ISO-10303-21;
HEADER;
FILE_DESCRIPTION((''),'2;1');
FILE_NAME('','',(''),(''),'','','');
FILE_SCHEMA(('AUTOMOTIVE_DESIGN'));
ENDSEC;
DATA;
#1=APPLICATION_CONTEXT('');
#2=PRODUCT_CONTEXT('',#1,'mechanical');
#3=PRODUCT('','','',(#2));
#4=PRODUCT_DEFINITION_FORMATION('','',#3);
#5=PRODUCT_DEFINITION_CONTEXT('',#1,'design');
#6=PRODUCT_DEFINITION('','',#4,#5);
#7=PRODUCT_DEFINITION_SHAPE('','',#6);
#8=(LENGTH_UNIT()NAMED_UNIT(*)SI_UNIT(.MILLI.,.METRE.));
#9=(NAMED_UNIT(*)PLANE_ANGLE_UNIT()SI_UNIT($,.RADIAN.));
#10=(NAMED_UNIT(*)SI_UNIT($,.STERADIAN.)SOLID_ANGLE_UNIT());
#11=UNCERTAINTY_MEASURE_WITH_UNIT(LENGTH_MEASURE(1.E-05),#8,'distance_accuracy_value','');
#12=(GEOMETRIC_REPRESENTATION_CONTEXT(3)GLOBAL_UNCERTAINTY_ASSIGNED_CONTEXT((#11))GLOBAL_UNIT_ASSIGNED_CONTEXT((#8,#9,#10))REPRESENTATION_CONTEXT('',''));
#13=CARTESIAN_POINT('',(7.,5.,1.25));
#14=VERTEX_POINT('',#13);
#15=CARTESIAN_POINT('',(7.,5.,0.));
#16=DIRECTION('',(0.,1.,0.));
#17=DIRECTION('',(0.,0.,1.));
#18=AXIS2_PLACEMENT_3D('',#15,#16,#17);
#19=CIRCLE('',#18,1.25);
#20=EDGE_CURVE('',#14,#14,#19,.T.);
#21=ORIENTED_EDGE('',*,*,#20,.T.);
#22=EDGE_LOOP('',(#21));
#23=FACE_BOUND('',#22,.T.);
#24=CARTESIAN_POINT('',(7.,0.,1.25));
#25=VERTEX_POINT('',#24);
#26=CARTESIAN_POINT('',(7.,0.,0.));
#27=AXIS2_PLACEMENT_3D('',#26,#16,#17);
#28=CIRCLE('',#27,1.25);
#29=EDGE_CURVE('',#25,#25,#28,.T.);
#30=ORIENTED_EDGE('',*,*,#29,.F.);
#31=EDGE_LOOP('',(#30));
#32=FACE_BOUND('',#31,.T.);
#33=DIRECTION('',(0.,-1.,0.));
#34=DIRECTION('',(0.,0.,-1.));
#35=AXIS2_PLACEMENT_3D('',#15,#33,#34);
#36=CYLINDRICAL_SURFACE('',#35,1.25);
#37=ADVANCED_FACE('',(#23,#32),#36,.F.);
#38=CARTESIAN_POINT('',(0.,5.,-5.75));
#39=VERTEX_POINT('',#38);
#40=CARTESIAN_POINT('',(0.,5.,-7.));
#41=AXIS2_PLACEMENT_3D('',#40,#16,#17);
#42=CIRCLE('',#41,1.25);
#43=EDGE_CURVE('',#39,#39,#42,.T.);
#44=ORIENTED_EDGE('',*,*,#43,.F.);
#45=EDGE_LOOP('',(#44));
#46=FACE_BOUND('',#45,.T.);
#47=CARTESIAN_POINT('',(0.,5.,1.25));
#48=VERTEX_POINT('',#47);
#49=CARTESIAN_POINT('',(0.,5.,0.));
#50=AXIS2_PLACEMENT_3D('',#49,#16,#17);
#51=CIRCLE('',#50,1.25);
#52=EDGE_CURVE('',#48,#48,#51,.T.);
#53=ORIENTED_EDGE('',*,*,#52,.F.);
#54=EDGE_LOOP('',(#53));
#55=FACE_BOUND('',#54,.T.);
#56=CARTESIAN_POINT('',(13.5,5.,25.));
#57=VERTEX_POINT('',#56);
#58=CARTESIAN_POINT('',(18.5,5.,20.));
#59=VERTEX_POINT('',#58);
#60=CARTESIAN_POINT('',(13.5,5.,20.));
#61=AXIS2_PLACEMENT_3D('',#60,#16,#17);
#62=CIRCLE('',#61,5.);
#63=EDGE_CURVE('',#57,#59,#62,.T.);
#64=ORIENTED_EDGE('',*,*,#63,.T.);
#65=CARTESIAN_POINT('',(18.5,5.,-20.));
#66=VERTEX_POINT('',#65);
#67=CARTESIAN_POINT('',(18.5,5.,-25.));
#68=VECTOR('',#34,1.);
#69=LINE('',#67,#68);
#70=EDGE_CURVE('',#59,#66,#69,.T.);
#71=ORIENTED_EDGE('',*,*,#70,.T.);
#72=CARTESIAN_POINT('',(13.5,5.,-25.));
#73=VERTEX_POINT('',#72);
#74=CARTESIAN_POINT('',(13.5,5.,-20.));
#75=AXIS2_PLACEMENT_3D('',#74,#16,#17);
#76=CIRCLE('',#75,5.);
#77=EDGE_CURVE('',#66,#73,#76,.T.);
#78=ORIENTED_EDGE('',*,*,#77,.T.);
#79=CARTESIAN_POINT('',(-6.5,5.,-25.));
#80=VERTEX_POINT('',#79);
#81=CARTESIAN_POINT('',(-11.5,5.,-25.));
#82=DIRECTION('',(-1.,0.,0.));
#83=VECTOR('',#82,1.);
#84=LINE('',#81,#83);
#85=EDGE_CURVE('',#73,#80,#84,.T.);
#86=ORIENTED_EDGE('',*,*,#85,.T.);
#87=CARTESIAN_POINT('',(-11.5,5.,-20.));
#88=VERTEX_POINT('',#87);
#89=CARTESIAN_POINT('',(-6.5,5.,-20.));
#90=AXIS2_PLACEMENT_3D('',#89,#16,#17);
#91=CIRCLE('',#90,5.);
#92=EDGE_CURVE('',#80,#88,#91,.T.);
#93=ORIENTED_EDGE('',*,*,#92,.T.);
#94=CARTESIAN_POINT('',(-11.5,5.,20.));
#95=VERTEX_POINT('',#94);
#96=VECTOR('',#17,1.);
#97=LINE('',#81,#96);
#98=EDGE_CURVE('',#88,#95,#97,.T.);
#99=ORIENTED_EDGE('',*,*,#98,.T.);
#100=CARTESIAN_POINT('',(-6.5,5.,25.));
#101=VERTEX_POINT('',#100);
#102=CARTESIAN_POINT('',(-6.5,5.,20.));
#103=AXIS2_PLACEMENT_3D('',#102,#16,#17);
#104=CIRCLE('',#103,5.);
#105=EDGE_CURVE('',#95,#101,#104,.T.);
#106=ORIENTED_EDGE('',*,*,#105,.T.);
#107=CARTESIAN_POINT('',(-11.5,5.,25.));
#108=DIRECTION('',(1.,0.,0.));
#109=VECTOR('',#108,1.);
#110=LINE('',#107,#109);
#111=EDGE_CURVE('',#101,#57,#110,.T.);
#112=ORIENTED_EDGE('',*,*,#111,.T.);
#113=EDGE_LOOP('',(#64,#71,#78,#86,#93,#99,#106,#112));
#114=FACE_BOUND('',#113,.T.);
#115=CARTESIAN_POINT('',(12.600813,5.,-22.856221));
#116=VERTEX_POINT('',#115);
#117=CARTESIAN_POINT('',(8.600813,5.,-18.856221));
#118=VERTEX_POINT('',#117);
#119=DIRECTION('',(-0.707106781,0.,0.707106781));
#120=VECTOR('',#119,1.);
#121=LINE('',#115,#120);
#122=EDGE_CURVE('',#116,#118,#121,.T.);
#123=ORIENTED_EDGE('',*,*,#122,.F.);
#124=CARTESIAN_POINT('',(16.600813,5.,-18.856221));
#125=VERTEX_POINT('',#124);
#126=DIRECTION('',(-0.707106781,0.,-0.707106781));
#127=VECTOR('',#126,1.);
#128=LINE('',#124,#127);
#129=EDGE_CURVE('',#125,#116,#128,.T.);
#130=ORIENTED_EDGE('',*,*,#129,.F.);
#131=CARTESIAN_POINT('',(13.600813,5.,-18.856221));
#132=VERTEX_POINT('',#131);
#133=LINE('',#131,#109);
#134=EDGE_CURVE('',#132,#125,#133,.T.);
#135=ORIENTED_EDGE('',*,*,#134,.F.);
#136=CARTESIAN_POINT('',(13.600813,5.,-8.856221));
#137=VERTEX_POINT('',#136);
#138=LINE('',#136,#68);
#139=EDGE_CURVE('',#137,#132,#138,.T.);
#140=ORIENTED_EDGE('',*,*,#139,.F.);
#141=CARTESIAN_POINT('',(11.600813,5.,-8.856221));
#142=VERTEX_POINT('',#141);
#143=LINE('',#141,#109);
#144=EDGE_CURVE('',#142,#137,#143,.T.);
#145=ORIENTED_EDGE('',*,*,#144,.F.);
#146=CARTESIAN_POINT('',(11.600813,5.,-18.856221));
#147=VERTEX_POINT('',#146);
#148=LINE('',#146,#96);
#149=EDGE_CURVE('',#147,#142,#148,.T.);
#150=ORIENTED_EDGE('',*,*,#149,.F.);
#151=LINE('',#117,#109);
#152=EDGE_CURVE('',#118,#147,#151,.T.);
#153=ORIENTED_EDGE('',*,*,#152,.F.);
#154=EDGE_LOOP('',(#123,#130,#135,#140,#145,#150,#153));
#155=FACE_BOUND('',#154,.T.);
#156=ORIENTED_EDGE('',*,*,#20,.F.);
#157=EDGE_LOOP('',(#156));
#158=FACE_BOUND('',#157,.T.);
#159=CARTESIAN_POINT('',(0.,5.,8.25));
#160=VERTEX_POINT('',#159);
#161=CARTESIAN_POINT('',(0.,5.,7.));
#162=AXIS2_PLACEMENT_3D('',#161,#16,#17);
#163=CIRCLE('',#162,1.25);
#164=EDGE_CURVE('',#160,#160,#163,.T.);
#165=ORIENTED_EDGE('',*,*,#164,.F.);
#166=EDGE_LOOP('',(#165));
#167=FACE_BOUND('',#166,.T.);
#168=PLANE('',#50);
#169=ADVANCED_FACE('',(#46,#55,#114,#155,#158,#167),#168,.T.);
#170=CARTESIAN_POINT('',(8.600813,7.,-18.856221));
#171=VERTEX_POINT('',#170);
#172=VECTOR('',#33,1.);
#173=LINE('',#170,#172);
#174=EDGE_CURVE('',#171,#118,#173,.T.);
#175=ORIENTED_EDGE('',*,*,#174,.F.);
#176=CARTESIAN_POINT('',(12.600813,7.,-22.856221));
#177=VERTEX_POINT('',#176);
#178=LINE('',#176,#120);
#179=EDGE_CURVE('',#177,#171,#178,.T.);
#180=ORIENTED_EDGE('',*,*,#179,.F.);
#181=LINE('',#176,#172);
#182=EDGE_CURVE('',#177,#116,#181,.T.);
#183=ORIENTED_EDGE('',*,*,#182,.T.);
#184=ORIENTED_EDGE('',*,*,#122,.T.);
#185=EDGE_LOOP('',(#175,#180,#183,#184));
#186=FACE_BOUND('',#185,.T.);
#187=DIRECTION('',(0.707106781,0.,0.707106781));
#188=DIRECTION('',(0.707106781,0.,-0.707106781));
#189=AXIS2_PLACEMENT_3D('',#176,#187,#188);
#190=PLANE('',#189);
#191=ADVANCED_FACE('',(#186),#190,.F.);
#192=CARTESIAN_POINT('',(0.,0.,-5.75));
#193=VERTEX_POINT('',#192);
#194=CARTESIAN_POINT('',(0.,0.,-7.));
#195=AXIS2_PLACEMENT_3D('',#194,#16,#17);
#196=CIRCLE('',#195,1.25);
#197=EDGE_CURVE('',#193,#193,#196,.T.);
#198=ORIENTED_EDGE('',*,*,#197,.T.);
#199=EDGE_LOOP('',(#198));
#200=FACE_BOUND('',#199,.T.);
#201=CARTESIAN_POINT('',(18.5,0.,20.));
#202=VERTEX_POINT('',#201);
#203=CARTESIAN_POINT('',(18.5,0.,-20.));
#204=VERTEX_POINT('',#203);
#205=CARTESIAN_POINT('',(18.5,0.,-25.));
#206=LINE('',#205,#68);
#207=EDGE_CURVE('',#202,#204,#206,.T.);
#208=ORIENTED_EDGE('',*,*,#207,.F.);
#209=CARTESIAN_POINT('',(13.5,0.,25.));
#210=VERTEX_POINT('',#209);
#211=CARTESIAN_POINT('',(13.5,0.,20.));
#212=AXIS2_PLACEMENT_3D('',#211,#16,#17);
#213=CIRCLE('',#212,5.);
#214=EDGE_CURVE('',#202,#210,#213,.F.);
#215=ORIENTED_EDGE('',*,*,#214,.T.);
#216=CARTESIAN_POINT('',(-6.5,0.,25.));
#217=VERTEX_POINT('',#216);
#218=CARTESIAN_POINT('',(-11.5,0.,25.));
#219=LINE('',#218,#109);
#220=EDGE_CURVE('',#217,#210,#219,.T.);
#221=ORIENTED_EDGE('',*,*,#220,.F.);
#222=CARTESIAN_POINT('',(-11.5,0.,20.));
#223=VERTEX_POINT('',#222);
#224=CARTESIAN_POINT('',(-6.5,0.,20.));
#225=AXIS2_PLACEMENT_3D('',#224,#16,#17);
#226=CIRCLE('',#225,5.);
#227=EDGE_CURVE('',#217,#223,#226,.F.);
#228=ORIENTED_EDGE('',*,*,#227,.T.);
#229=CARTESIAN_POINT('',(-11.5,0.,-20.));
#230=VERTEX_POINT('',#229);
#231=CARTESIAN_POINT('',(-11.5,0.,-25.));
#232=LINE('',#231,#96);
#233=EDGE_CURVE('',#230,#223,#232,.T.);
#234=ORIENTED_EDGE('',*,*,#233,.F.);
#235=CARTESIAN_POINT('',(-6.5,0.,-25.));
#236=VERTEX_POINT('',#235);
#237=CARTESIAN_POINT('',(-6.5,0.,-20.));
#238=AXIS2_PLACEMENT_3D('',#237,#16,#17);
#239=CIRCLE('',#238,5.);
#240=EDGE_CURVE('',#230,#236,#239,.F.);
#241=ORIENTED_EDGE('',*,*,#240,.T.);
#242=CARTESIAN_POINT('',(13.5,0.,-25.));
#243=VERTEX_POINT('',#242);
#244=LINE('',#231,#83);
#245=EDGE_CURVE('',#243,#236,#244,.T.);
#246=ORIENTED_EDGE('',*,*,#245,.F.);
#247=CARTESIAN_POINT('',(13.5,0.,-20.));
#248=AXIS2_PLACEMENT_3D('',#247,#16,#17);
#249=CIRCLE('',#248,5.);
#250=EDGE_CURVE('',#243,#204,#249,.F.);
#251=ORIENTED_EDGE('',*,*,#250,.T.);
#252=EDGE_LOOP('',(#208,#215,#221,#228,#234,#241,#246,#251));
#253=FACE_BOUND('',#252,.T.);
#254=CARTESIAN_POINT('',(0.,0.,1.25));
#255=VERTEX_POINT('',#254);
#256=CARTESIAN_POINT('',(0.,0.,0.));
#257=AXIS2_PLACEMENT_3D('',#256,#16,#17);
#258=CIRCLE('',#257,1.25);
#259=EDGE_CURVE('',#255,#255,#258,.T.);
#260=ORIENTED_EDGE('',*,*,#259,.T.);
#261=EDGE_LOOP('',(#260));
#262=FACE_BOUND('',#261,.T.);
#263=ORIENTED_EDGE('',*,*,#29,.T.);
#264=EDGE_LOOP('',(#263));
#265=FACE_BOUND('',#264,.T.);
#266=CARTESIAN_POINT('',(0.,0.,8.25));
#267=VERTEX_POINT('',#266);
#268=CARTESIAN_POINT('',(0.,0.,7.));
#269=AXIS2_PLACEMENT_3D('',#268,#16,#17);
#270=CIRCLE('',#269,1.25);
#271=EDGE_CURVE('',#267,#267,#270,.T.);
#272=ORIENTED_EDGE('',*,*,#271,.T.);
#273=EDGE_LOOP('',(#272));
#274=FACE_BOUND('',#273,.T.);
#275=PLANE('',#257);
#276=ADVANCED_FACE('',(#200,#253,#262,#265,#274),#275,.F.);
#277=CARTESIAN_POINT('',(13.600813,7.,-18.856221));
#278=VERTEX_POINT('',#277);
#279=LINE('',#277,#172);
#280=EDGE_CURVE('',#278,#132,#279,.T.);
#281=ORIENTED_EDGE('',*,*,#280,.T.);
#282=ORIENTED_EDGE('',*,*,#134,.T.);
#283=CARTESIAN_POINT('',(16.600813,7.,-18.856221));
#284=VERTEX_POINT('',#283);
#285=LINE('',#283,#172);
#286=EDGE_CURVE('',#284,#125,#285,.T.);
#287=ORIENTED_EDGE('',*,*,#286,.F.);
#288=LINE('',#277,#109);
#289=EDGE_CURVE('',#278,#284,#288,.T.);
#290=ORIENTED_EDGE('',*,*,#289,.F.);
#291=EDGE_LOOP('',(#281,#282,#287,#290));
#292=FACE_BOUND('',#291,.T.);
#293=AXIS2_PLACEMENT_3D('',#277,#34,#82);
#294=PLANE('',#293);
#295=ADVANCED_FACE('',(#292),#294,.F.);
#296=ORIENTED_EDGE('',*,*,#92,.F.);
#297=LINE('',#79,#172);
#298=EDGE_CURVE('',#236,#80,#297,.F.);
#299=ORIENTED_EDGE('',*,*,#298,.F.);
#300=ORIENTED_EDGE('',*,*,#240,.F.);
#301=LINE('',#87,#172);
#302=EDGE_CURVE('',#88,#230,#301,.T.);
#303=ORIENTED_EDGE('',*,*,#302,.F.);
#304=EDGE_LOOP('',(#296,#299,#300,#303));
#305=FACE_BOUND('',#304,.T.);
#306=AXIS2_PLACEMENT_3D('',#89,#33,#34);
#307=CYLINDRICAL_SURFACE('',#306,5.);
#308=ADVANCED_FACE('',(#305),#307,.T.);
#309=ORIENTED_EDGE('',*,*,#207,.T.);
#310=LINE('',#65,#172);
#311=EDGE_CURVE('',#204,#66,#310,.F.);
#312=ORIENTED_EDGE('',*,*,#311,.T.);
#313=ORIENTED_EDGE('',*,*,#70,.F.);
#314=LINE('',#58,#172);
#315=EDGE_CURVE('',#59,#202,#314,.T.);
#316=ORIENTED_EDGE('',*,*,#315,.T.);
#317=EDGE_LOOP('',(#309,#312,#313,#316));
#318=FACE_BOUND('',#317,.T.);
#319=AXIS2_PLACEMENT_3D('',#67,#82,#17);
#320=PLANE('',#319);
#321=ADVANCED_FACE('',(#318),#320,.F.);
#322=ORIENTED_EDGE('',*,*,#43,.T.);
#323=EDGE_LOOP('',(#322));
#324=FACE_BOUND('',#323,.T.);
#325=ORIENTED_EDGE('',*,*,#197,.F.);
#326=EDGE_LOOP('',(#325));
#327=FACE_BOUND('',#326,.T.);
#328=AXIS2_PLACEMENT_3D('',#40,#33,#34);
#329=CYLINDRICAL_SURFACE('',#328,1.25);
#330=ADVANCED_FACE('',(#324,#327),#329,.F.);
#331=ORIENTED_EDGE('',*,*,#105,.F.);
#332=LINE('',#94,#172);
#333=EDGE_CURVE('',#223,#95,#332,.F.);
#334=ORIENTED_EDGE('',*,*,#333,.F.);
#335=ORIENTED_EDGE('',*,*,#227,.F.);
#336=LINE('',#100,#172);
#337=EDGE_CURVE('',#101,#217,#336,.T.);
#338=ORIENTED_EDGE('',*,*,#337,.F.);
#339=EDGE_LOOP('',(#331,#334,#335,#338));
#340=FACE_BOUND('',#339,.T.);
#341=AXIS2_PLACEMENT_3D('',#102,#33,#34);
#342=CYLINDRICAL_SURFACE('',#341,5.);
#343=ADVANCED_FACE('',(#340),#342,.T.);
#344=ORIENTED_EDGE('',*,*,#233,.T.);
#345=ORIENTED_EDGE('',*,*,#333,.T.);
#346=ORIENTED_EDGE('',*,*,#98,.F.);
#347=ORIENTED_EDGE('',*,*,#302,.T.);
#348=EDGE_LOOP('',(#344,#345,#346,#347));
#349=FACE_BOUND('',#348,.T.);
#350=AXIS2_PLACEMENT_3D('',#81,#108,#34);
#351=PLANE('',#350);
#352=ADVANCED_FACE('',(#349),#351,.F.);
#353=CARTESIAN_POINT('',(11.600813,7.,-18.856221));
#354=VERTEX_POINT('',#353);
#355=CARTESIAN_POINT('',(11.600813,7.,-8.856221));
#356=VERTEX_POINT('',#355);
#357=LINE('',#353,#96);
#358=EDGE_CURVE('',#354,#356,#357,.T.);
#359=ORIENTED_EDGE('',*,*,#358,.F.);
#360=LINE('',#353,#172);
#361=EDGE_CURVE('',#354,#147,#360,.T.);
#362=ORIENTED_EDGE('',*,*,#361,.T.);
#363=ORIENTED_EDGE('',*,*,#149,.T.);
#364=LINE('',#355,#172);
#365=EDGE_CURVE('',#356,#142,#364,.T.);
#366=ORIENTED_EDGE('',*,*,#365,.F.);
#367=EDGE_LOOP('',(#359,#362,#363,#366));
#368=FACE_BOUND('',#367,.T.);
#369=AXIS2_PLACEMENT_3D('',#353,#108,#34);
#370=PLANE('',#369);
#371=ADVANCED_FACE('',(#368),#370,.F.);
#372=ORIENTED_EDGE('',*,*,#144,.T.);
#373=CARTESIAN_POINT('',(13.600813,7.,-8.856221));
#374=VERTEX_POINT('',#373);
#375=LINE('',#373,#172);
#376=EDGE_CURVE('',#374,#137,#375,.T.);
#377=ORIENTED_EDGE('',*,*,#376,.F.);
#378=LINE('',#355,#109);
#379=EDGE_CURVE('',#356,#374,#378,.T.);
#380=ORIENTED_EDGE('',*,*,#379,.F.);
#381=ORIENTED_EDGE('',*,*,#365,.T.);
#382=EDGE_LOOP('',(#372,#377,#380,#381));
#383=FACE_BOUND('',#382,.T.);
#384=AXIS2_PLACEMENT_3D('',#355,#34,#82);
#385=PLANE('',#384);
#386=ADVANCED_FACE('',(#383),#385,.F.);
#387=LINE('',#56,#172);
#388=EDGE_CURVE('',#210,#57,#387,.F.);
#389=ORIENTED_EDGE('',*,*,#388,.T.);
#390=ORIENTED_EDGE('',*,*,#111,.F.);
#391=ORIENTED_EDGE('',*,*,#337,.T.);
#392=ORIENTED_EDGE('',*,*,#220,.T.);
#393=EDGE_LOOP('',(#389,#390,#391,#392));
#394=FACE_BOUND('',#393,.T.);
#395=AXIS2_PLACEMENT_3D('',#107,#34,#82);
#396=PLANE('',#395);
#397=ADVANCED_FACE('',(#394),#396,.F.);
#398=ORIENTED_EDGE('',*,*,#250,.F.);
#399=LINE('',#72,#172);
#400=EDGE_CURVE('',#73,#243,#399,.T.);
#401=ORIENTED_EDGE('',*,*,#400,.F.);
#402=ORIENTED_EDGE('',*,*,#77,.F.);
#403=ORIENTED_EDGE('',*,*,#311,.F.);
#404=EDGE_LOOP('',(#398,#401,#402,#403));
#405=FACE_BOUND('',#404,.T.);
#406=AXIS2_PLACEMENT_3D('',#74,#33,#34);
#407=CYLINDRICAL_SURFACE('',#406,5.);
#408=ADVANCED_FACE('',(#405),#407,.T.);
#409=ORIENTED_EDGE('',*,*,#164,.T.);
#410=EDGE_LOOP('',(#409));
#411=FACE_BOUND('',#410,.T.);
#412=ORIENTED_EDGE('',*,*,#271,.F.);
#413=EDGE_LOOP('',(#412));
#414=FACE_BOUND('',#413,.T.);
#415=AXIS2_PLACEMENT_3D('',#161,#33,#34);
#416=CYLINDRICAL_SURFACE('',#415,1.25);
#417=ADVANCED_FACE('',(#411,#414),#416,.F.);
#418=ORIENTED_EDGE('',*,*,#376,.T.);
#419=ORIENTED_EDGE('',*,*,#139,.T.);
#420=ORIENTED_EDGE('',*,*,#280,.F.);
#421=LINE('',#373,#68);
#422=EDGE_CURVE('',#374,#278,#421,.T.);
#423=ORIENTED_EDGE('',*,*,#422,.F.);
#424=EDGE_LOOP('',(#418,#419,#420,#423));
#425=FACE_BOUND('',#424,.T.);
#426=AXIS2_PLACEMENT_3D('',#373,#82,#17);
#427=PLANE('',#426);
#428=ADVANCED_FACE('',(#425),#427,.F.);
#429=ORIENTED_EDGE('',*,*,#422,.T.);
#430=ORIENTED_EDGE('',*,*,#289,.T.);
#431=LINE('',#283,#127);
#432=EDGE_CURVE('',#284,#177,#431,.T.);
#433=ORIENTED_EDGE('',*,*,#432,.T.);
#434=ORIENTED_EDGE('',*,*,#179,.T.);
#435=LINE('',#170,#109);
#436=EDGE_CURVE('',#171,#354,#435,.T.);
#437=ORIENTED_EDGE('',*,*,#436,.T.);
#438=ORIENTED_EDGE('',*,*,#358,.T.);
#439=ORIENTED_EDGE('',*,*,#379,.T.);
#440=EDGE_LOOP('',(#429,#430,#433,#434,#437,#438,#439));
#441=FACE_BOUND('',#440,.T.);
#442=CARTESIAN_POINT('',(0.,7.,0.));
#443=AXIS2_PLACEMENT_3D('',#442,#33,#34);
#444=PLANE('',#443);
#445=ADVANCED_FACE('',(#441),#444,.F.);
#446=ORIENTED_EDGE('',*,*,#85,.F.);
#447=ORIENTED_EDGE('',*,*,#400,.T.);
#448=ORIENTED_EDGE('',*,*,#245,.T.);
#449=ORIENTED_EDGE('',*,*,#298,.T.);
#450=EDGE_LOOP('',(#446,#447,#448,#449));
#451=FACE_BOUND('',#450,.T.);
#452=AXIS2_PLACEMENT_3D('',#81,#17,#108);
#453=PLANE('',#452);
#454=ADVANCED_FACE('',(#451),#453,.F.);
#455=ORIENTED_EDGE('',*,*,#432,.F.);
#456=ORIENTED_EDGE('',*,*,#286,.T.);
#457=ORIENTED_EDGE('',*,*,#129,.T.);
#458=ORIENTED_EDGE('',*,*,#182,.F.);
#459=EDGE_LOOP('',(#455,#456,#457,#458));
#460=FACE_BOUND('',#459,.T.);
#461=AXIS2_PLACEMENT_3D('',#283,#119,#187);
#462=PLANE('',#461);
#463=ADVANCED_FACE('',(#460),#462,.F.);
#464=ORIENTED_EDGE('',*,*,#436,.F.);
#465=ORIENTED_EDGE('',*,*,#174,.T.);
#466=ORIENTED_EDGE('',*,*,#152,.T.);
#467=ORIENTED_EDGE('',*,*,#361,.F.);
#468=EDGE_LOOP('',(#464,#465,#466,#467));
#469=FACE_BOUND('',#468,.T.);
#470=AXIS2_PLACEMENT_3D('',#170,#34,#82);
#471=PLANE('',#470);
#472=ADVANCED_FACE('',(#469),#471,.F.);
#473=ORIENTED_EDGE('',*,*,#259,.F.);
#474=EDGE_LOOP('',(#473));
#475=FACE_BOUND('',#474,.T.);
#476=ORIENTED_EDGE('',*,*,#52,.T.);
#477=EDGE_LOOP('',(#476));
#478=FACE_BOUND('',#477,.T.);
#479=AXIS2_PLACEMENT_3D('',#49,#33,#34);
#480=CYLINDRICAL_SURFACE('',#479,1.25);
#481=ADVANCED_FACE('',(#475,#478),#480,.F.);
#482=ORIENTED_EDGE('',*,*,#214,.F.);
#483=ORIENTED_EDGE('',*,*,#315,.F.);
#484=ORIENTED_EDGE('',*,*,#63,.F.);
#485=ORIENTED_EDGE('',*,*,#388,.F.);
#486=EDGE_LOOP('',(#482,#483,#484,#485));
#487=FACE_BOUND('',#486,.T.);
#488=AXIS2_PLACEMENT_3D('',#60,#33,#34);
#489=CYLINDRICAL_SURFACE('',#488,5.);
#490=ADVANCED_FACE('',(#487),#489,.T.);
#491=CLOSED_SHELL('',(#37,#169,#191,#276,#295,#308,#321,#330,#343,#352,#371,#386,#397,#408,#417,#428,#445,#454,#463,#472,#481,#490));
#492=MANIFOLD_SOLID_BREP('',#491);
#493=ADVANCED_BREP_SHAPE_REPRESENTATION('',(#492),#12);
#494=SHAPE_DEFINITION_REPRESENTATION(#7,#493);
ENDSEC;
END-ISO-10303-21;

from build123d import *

# Parameters (mm, degrees)
SKETCH1_W           = 30
SKETCH1_H           = 50
SKETCH1_R           = 1.25
BOSS_EXTRUDE1_DEPTH = 5
FILLET1_R           = 5
BOSS_EXTRUDE2_DEPTH = 2


with BuildPart() as part:
    # Sketch1 → Boss-Extrude1 (new body)
    with BuildSketch(Plane(origin=(0, 0, 0), x_dir=(1, 0, 0), z_dir=(0, 1, 0))):
        with Locations((3.5, 0)):
            Rectangle(SKETCH1_W, SKETCH1_H)
        with Locations(Location((0, 0, 0), (0, 0, 270))):
            Circle(SKETCH1_R, mode=Mode.SUBTRACT)
        with Locations(Location((0, 7, 0), (0, 0, 270))):
            Circle(SKETCH1_R, mode=Mode.SUBTRACT)
        with Locations(Location((7, 0, 0), (0, 0, 270))):
            Circle(SKETCH1_R, mode=Mode.SUBTRACT)
        with Locations(Location((0, -7, 0), (0, 0, 270))):
            Circle(SKETCH1_R, mode=Mode.SUBTRACT)
    extrude(amount=BOSS_EXTRUDE1_DEPTH)

    # Fillet1
    fillet1_edges = [part.edges().sort_by_distance(p)[0] for p in [
        (-11.5, 2.5, -25),
        (18.5, 2.5, -25),
        (18.5, 2.5, 25),
        (-11.5, 2.5, 25),
    ]]
    fillet(fillet1_edges, radius=FILLET1_R)

    # Sketch2 → Boss-Extrude2 (add)
    with BuildSketch(Plane(origin=(0, 5, 0), x_dir=(1, 0, 0), z_dir=(0, 1, 0))):
        Polygon((11.600813037, 18.856220698), (11.600813037, 8.856220698), (13.600813037, 8.856220698), (13.600813037, 18.856220698), (16.600813037, 18.856220698), (12.600813037, 22.856220698), (8.600813037, 18.856220698), align=None)
    extrude(amount=BOSS_EXTRUDE2_DEPTH)


solid = part.part
